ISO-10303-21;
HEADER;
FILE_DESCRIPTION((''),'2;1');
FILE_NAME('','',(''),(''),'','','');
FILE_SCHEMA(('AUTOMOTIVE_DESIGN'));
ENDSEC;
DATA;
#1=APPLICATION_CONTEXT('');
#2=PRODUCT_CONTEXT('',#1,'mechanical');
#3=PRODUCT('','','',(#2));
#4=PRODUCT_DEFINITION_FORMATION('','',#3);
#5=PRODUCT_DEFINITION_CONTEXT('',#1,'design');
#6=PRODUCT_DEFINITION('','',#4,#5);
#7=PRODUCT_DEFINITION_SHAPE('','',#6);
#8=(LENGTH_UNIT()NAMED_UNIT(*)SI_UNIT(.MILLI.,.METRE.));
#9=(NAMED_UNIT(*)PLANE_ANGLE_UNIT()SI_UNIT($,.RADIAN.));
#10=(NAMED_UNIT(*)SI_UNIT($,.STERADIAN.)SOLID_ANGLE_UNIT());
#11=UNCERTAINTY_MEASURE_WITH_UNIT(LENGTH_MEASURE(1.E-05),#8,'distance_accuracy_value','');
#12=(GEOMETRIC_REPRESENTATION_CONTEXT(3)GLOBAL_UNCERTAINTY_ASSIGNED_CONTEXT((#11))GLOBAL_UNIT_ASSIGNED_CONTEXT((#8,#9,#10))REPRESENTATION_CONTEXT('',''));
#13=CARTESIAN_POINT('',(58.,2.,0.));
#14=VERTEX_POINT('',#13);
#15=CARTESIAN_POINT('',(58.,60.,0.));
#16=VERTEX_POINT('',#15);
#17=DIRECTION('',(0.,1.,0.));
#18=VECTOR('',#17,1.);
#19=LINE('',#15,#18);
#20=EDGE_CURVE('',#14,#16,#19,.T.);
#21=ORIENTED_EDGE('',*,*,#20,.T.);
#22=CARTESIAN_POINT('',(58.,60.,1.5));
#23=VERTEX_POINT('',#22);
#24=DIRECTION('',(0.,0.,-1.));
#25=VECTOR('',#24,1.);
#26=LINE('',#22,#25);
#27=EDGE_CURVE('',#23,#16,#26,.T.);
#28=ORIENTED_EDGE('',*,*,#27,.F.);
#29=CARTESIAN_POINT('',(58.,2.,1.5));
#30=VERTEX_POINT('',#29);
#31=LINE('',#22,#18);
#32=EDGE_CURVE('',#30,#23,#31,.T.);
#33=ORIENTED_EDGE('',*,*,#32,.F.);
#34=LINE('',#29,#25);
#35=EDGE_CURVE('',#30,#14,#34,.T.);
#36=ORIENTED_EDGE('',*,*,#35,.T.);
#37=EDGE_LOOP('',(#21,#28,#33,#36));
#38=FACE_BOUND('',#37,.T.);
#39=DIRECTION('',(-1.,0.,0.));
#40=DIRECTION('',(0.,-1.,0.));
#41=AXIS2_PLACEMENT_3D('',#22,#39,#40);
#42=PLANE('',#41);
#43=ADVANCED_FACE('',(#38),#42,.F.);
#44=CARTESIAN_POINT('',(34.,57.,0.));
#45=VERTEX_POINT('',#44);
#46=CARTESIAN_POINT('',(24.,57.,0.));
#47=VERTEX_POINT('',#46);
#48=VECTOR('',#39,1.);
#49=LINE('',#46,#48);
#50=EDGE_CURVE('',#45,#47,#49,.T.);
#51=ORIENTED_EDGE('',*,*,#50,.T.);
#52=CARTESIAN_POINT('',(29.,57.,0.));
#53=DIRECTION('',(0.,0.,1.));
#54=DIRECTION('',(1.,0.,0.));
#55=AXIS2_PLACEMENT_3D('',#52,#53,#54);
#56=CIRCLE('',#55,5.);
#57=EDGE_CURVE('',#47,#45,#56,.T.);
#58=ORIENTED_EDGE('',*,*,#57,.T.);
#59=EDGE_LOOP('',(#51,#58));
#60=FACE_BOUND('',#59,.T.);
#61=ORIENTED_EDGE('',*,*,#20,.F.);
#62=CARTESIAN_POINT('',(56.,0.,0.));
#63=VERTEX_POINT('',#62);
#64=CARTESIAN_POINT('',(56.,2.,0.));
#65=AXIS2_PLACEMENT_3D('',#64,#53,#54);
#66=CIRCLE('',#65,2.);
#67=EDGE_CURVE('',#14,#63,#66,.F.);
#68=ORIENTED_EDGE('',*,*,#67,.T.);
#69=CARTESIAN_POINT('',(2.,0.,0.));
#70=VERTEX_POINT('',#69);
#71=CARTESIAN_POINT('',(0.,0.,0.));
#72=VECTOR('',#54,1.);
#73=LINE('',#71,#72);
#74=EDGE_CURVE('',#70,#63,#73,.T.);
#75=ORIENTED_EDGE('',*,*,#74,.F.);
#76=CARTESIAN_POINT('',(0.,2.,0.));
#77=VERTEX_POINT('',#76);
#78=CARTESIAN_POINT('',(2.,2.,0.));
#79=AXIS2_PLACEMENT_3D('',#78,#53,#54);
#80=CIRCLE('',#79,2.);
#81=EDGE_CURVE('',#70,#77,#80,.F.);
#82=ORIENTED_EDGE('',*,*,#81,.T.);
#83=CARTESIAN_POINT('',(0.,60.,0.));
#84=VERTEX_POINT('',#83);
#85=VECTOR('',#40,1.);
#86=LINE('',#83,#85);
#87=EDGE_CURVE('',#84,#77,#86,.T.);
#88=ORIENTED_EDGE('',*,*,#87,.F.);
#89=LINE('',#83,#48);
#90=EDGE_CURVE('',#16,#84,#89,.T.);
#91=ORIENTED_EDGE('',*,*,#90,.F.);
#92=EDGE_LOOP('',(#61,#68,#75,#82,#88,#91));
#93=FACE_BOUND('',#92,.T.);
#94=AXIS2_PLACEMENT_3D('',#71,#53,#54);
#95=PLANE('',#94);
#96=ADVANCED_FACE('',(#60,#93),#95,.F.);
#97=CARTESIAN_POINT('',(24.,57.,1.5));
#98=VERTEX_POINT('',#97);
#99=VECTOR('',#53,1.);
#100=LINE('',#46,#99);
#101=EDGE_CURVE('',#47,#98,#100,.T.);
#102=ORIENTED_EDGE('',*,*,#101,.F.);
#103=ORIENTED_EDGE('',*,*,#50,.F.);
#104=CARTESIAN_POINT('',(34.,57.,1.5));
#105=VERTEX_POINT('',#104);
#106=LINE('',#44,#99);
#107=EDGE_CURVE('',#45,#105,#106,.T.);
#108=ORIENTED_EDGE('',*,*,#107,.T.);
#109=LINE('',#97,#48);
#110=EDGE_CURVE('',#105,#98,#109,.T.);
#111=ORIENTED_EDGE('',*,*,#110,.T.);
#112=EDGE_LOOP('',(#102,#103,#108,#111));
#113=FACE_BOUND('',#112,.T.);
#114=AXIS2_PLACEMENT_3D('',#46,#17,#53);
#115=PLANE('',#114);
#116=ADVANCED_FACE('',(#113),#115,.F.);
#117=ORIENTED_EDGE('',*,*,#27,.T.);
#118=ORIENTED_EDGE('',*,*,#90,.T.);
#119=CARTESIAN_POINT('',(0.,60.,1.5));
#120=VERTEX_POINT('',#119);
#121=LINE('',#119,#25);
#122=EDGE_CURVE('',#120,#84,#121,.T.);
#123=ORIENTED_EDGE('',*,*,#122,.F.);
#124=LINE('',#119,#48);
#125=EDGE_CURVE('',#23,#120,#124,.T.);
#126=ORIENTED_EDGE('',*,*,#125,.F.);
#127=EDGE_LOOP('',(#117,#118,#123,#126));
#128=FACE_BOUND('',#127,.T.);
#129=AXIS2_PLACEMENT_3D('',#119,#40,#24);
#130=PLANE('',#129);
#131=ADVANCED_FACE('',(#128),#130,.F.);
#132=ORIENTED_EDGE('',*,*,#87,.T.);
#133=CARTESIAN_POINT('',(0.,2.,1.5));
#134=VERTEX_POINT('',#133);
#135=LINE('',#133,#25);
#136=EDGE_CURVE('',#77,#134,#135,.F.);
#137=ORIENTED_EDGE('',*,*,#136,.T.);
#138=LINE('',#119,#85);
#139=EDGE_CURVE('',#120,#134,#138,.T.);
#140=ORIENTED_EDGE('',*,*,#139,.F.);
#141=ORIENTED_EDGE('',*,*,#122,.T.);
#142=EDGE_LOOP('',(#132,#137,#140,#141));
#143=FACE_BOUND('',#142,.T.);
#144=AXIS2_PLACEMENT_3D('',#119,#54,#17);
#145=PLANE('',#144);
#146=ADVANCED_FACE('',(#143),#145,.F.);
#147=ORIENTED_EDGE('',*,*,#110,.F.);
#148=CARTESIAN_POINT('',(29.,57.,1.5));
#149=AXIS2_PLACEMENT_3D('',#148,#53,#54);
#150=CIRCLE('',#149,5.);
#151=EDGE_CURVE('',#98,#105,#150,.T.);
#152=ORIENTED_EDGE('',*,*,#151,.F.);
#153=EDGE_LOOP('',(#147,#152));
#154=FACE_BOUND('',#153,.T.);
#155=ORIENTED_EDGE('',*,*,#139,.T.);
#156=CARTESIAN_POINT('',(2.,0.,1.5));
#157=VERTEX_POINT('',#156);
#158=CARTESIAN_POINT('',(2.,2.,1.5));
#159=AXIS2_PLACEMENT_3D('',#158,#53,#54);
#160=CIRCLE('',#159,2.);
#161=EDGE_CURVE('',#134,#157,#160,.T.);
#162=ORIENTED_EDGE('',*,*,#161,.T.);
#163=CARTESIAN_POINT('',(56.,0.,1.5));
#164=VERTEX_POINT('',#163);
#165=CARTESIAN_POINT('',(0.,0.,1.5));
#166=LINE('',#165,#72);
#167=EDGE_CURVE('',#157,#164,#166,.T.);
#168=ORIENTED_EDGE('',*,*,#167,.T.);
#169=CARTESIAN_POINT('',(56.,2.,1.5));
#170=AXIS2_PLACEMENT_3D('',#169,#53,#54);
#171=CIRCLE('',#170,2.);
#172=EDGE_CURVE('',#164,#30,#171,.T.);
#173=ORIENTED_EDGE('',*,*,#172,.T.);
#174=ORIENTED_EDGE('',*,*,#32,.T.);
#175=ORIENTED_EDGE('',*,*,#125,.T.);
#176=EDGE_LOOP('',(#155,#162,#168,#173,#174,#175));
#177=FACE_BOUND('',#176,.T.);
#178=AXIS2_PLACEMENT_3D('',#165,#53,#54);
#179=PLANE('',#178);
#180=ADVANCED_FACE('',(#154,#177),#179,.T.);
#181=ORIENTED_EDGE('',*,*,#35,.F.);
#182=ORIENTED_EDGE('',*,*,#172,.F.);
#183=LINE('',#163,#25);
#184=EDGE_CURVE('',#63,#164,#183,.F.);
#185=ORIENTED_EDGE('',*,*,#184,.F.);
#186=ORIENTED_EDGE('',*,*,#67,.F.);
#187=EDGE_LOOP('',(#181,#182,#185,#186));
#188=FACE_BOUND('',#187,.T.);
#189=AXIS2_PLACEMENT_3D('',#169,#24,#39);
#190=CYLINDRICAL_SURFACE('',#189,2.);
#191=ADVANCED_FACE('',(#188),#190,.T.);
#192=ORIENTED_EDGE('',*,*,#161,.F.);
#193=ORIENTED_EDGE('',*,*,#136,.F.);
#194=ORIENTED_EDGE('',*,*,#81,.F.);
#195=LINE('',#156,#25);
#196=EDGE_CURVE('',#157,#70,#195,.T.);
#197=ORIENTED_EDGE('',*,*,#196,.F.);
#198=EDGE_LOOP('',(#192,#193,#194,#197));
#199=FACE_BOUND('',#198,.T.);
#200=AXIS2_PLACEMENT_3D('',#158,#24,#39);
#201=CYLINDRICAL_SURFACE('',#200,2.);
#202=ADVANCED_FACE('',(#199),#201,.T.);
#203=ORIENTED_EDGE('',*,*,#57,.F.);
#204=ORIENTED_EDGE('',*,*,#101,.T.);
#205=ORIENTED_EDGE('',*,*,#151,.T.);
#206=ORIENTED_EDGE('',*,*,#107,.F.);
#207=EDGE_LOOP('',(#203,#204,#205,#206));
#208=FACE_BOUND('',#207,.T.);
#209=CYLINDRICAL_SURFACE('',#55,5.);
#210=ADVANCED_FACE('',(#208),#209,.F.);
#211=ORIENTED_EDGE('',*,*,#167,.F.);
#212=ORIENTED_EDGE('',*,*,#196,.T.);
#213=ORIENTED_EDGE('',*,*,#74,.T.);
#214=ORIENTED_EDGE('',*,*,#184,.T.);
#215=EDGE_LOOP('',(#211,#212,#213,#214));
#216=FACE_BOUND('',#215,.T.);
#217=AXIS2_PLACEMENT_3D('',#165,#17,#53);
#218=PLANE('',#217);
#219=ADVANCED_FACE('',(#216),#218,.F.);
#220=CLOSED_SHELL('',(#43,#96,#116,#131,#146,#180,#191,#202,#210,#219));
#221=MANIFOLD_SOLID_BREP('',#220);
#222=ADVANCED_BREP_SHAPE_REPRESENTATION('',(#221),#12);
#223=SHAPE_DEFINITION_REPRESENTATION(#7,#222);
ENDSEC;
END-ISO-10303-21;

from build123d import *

# Parameters (mm, degrees)
SKETCH_1_W          = 58
SKETCH_1_H          = 60
EXTRUDE_1_DEPTH     = 1.5
FILLET_1_R          = 2
CUT_EXTRUDE_1_DEPTH = 84.464064123


with BuildPart() as part:
    # Эскиз1 → Бобышка-Вытянуть1 (new body)
    with BuildSketch(Plane.XY):
        with Locations((29, 30)):
            Rectangle(SKETCH_1_W, SKETCH_1_H)
    extrude(amount=EXTRUDE_1_DEPTH)

    # Скругление1
    fillet_1_edges = [part.edges().sort_by_distance(p)[0] for p in [
        (58, 0, 0.75),
        (0, 0, 0.75),
    ]]
    fillet(fillet_1_edges, radius=FILLET_1_R)

    # Эскиз2 → Вырез-Вытянуть1 (cut, through all)
    with BuildSketch(Plane.XY.offset(1.5)):
        with BuildLine():
            Line((24, 57), (34, 57))
            ThreePointArc((34, 57), (29, 52), (24, 57))
        make_face()
    extrude(amount=-CUT_EXTRUDE_1_DEPTH, mode=Mode.SUBTRACT)


solid = part.part
